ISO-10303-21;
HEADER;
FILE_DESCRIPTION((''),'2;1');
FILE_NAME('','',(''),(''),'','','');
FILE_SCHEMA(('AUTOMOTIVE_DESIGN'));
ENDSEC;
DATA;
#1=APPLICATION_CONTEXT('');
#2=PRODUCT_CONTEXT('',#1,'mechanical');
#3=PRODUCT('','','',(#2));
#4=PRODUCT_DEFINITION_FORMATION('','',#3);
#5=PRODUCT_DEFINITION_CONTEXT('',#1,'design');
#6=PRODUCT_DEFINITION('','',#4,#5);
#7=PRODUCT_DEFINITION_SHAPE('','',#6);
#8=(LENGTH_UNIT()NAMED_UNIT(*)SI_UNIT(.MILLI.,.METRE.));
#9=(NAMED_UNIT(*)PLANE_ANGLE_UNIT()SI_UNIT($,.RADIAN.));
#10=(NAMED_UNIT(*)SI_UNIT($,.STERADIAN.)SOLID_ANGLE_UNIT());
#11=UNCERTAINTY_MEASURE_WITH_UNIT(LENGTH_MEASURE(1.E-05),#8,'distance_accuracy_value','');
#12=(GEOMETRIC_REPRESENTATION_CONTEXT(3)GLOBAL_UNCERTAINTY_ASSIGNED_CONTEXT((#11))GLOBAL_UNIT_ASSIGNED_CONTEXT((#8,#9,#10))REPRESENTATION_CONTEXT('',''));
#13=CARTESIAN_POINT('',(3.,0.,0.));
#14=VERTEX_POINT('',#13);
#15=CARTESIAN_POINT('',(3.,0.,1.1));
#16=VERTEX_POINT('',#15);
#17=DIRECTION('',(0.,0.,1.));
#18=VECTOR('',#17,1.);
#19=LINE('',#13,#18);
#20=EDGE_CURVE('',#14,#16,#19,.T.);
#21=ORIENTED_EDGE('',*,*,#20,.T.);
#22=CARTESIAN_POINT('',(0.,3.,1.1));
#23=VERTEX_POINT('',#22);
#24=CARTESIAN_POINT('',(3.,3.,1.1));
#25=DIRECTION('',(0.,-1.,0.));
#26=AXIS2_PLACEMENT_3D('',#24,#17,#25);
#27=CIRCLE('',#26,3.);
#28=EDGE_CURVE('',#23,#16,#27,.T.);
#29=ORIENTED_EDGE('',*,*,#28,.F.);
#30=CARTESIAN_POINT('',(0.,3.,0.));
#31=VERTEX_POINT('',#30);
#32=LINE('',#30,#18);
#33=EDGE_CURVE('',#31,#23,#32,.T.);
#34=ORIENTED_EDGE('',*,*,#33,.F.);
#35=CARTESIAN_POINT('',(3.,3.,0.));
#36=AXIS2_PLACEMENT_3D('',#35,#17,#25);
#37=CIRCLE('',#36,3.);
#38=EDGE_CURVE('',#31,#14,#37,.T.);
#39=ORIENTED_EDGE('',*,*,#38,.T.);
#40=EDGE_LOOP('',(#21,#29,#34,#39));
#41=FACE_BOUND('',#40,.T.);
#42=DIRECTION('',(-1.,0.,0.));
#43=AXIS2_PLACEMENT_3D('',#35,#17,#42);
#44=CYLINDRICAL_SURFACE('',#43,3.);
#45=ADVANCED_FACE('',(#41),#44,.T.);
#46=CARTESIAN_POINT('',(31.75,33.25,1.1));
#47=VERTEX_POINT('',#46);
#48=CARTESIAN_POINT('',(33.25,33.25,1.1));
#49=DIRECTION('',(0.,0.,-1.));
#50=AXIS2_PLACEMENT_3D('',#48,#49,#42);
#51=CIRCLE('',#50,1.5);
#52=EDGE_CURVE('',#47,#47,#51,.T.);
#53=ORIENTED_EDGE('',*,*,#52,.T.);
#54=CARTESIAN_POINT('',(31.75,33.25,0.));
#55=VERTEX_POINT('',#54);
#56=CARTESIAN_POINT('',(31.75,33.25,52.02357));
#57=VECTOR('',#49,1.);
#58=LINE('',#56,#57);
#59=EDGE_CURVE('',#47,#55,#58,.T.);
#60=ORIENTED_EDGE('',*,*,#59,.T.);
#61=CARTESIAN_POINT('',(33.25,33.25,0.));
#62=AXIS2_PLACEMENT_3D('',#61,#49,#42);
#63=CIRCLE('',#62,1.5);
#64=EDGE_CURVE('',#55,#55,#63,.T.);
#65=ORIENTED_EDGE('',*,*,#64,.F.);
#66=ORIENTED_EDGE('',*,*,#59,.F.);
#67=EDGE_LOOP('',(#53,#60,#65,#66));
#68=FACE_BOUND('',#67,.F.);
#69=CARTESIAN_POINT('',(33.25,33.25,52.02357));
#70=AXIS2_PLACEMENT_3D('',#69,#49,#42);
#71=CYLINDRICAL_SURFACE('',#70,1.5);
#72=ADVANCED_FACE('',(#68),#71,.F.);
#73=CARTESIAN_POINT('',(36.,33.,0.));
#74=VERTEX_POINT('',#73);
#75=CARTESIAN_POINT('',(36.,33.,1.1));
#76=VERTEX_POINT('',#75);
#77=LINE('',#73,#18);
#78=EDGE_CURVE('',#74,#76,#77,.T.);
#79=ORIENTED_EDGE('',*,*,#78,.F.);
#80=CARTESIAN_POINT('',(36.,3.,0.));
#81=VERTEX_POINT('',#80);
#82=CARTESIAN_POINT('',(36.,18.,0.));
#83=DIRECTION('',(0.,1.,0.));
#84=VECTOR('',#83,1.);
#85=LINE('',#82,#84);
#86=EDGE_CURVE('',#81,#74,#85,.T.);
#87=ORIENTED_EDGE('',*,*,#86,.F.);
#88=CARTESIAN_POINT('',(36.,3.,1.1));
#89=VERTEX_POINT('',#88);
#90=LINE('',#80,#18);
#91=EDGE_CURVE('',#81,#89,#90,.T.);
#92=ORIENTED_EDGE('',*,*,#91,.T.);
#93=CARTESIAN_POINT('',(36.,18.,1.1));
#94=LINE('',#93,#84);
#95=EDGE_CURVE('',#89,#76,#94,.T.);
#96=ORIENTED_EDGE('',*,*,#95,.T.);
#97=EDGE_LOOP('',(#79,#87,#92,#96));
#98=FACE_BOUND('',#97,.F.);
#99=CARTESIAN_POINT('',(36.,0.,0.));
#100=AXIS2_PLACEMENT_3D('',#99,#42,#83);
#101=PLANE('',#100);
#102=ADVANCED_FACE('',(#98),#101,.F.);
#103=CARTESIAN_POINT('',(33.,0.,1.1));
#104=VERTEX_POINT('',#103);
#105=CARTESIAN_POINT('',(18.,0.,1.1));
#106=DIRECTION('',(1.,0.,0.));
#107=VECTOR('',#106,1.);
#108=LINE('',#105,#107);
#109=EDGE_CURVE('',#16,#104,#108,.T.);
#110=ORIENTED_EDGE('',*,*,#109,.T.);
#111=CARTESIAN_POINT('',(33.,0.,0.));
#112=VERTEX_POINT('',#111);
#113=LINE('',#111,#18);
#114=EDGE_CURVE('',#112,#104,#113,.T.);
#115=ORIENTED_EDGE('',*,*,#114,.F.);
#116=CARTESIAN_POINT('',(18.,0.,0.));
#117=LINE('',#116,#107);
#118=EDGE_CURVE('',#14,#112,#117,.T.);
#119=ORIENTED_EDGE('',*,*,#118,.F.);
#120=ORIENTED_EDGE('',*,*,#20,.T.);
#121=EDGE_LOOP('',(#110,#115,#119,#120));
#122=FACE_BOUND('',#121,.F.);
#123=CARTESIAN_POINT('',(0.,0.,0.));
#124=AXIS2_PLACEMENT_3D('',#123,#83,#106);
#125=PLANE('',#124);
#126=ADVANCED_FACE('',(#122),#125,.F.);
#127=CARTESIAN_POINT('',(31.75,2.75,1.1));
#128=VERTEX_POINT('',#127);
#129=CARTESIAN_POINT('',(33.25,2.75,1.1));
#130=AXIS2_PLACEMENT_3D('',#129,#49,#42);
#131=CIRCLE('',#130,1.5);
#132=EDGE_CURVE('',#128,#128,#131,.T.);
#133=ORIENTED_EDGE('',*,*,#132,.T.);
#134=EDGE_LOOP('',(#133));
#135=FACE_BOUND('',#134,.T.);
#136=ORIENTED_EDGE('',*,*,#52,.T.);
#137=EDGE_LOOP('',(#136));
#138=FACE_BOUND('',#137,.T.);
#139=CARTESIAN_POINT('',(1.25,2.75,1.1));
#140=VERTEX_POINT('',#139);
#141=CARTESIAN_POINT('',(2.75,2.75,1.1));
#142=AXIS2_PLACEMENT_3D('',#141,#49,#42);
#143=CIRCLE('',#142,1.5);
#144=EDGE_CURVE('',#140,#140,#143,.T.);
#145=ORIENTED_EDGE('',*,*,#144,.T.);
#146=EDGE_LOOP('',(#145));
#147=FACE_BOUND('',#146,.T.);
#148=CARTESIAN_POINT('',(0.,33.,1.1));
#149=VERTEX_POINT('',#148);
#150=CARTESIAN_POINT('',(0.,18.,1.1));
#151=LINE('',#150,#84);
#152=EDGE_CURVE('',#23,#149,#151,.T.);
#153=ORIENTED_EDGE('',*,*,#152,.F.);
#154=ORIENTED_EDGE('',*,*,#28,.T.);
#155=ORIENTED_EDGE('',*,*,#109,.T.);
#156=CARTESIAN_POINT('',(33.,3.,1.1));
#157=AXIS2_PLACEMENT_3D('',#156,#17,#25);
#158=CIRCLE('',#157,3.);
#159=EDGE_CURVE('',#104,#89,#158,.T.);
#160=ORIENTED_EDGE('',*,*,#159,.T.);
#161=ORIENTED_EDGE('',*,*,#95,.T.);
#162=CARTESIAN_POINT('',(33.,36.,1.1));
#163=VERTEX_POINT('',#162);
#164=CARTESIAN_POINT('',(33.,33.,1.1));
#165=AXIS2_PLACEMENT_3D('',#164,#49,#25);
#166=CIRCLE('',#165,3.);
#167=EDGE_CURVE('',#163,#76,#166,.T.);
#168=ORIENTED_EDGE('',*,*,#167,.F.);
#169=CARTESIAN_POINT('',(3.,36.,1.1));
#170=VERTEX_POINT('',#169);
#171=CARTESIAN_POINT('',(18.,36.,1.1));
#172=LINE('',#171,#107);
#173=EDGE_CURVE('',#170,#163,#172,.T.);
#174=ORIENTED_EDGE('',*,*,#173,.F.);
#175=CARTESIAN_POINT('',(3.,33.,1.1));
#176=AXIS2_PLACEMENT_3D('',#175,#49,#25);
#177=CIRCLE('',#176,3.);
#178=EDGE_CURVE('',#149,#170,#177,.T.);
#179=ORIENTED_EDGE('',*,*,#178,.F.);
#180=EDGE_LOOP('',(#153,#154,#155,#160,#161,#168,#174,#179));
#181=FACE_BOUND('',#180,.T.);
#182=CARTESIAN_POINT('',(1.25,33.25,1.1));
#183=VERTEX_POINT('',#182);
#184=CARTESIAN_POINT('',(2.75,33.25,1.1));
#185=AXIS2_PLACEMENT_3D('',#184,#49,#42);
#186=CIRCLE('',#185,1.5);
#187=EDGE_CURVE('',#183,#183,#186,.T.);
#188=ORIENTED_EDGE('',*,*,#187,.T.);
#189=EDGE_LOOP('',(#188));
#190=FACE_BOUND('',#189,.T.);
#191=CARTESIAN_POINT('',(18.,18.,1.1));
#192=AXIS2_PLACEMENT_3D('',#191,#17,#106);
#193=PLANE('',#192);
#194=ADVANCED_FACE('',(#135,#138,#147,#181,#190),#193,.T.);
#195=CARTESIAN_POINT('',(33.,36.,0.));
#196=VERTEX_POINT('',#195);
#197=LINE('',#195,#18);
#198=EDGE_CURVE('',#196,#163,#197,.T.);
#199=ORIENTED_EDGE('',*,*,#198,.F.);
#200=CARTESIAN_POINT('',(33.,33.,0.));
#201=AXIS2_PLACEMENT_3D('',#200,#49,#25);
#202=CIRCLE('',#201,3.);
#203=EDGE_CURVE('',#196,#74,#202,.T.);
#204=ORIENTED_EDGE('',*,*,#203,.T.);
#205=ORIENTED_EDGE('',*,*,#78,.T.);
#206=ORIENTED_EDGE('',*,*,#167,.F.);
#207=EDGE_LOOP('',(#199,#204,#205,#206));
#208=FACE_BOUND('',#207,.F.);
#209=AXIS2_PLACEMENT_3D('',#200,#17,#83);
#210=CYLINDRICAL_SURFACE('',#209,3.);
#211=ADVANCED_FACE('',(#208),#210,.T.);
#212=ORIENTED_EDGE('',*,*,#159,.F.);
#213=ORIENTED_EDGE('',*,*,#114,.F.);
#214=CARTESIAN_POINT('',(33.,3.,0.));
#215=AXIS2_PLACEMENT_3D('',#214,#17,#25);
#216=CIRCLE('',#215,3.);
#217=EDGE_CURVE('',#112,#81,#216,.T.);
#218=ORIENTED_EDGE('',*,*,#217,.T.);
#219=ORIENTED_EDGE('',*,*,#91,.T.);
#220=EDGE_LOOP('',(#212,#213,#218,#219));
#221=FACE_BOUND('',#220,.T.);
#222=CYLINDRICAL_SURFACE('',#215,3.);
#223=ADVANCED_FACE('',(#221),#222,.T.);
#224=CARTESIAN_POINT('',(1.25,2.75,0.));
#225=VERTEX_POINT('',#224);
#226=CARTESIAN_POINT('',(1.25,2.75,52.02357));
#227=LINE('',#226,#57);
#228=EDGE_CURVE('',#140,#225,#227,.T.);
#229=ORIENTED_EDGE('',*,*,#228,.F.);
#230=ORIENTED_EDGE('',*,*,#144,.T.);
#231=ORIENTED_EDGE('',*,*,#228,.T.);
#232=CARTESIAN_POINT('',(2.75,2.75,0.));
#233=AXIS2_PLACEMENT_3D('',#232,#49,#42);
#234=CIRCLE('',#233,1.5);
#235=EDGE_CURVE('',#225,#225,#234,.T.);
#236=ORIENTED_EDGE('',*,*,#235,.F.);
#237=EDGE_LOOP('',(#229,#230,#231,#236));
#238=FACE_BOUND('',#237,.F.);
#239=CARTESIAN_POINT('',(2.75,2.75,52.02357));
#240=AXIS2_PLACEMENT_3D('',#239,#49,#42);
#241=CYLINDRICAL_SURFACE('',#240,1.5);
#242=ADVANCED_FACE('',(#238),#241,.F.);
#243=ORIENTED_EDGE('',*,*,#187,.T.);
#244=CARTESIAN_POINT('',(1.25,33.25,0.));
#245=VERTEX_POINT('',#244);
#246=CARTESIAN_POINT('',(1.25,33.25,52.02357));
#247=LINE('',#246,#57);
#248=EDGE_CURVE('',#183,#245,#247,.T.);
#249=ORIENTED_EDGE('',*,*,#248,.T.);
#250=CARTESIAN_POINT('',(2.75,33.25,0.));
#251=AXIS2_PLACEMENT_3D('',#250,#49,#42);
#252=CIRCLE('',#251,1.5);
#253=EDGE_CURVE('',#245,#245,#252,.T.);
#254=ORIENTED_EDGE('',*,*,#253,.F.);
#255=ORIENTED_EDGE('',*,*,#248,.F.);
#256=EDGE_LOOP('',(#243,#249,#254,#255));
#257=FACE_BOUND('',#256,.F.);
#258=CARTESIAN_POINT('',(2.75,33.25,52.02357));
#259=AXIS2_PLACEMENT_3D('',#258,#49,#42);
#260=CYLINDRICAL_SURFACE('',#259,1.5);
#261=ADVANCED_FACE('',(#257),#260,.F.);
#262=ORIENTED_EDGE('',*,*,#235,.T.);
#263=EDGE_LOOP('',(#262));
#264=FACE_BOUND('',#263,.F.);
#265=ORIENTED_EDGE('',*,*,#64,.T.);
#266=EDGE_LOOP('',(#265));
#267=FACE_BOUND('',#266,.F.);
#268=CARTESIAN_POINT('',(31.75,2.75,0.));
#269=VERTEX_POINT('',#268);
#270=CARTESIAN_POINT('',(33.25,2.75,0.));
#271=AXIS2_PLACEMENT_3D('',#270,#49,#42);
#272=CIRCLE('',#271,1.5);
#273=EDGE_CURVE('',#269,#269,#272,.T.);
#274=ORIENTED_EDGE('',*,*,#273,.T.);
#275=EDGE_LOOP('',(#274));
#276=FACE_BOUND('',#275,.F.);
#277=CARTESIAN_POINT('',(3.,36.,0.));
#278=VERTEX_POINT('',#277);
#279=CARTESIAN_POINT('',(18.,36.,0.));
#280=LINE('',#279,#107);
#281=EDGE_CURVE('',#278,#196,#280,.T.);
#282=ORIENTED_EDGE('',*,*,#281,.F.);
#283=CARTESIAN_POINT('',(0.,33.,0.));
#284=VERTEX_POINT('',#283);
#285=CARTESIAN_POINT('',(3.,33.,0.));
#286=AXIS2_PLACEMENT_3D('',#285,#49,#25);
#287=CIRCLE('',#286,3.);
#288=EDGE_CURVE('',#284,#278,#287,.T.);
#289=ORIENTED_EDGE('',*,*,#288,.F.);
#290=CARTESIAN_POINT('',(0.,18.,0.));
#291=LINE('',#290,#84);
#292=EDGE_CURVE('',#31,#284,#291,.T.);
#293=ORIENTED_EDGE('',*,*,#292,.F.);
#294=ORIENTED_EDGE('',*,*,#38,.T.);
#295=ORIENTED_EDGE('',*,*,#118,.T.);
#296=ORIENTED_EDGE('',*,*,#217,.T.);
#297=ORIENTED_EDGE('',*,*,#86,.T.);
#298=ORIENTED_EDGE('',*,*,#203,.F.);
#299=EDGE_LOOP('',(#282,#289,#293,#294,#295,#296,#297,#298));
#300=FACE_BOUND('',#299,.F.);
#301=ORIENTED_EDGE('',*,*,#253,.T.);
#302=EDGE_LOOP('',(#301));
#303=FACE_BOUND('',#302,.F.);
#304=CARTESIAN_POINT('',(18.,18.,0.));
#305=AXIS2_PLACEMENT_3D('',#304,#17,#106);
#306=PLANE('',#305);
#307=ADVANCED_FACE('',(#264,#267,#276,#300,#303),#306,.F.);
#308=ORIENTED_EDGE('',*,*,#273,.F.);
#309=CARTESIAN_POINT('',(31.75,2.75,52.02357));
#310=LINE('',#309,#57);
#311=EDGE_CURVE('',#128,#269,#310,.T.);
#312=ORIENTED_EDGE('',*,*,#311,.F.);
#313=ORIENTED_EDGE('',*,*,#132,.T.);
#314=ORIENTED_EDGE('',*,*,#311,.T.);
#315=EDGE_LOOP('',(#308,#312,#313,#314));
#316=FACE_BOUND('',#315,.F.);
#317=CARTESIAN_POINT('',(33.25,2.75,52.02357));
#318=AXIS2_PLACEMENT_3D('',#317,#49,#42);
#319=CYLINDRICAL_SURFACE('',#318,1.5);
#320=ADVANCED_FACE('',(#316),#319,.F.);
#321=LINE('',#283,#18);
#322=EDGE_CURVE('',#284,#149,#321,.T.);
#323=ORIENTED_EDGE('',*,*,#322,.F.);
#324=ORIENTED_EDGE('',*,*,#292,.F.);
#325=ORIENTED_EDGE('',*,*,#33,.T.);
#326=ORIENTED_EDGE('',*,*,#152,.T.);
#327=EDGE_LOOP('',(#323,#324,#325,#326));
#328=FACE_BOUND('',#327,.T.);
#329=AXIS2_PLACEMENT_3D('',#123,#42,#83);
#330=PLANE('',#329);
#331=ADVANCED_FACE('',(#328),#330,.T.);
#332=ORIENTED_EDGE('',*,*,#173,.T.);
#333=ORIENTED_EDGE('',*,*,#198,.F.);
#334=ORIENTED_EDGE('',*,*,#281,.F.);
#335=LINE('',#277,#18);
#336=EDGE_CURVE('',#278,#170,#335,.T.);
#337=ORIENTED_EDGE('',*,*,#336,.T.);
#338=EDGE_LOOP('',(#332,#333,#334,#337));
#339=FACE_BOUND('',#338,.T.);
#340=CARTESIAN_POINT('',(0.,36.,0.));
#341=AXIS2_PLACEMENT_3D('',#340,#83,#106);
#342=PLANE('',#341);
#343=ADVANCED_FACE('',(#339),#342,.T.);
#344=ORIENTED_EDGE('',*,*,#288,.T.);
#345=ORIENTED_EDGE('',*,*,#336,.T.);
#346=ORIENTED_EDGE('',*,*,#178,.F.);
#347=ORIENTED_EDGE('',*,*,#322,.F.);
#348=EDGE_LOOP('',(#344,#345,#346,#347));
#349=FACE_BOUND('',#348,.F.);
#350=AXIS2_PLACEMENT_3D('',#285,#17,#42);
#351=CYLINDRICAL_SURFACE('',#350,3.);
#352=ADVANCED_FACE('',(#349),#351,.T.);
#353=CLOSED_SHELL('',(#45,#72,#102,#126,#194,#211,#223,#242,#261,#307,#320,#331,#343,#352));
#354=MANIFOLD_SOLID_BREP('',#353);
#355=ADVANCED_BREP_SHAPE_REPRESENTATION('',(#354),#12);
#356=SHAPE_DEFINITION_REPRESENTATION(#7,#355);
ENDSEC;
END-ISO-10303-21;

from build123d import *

# Parameters (mm, degrees)
F0_W     = 36
F0_H     = 36
F1_DEPTH = 1.1
F3_D     = 3
F4_R     = 3


with BuildPart() as f1:
    # F0 (on Top) → F1 (new body)
    with BuildSketch(Plane.XY):
        with Locations((18, 18)):
            Rectangle(F0_W, F0_H)
    extrude(amount=F1_DEPTH)

    # F3 (through all)
    with Locations(Plane.XY.offset(1.1)):
        with Locations((2.75, 33.25), (33.25, 33.25), (2.75, 2.75), (33.25, 2.75)):
            Hole(F3_D / 2)

    # F4
    f4_edges = [f1.edges().sort_by_distance(p)[0] for p in [
        (36, 0, 0.55),
        (0, 0, 0.55),
        (0, 36, 0.55),
        (36, 36, 0.55),
    ]]
    fillet(f4_edges, radius=F4_R)


solid = f1.part
